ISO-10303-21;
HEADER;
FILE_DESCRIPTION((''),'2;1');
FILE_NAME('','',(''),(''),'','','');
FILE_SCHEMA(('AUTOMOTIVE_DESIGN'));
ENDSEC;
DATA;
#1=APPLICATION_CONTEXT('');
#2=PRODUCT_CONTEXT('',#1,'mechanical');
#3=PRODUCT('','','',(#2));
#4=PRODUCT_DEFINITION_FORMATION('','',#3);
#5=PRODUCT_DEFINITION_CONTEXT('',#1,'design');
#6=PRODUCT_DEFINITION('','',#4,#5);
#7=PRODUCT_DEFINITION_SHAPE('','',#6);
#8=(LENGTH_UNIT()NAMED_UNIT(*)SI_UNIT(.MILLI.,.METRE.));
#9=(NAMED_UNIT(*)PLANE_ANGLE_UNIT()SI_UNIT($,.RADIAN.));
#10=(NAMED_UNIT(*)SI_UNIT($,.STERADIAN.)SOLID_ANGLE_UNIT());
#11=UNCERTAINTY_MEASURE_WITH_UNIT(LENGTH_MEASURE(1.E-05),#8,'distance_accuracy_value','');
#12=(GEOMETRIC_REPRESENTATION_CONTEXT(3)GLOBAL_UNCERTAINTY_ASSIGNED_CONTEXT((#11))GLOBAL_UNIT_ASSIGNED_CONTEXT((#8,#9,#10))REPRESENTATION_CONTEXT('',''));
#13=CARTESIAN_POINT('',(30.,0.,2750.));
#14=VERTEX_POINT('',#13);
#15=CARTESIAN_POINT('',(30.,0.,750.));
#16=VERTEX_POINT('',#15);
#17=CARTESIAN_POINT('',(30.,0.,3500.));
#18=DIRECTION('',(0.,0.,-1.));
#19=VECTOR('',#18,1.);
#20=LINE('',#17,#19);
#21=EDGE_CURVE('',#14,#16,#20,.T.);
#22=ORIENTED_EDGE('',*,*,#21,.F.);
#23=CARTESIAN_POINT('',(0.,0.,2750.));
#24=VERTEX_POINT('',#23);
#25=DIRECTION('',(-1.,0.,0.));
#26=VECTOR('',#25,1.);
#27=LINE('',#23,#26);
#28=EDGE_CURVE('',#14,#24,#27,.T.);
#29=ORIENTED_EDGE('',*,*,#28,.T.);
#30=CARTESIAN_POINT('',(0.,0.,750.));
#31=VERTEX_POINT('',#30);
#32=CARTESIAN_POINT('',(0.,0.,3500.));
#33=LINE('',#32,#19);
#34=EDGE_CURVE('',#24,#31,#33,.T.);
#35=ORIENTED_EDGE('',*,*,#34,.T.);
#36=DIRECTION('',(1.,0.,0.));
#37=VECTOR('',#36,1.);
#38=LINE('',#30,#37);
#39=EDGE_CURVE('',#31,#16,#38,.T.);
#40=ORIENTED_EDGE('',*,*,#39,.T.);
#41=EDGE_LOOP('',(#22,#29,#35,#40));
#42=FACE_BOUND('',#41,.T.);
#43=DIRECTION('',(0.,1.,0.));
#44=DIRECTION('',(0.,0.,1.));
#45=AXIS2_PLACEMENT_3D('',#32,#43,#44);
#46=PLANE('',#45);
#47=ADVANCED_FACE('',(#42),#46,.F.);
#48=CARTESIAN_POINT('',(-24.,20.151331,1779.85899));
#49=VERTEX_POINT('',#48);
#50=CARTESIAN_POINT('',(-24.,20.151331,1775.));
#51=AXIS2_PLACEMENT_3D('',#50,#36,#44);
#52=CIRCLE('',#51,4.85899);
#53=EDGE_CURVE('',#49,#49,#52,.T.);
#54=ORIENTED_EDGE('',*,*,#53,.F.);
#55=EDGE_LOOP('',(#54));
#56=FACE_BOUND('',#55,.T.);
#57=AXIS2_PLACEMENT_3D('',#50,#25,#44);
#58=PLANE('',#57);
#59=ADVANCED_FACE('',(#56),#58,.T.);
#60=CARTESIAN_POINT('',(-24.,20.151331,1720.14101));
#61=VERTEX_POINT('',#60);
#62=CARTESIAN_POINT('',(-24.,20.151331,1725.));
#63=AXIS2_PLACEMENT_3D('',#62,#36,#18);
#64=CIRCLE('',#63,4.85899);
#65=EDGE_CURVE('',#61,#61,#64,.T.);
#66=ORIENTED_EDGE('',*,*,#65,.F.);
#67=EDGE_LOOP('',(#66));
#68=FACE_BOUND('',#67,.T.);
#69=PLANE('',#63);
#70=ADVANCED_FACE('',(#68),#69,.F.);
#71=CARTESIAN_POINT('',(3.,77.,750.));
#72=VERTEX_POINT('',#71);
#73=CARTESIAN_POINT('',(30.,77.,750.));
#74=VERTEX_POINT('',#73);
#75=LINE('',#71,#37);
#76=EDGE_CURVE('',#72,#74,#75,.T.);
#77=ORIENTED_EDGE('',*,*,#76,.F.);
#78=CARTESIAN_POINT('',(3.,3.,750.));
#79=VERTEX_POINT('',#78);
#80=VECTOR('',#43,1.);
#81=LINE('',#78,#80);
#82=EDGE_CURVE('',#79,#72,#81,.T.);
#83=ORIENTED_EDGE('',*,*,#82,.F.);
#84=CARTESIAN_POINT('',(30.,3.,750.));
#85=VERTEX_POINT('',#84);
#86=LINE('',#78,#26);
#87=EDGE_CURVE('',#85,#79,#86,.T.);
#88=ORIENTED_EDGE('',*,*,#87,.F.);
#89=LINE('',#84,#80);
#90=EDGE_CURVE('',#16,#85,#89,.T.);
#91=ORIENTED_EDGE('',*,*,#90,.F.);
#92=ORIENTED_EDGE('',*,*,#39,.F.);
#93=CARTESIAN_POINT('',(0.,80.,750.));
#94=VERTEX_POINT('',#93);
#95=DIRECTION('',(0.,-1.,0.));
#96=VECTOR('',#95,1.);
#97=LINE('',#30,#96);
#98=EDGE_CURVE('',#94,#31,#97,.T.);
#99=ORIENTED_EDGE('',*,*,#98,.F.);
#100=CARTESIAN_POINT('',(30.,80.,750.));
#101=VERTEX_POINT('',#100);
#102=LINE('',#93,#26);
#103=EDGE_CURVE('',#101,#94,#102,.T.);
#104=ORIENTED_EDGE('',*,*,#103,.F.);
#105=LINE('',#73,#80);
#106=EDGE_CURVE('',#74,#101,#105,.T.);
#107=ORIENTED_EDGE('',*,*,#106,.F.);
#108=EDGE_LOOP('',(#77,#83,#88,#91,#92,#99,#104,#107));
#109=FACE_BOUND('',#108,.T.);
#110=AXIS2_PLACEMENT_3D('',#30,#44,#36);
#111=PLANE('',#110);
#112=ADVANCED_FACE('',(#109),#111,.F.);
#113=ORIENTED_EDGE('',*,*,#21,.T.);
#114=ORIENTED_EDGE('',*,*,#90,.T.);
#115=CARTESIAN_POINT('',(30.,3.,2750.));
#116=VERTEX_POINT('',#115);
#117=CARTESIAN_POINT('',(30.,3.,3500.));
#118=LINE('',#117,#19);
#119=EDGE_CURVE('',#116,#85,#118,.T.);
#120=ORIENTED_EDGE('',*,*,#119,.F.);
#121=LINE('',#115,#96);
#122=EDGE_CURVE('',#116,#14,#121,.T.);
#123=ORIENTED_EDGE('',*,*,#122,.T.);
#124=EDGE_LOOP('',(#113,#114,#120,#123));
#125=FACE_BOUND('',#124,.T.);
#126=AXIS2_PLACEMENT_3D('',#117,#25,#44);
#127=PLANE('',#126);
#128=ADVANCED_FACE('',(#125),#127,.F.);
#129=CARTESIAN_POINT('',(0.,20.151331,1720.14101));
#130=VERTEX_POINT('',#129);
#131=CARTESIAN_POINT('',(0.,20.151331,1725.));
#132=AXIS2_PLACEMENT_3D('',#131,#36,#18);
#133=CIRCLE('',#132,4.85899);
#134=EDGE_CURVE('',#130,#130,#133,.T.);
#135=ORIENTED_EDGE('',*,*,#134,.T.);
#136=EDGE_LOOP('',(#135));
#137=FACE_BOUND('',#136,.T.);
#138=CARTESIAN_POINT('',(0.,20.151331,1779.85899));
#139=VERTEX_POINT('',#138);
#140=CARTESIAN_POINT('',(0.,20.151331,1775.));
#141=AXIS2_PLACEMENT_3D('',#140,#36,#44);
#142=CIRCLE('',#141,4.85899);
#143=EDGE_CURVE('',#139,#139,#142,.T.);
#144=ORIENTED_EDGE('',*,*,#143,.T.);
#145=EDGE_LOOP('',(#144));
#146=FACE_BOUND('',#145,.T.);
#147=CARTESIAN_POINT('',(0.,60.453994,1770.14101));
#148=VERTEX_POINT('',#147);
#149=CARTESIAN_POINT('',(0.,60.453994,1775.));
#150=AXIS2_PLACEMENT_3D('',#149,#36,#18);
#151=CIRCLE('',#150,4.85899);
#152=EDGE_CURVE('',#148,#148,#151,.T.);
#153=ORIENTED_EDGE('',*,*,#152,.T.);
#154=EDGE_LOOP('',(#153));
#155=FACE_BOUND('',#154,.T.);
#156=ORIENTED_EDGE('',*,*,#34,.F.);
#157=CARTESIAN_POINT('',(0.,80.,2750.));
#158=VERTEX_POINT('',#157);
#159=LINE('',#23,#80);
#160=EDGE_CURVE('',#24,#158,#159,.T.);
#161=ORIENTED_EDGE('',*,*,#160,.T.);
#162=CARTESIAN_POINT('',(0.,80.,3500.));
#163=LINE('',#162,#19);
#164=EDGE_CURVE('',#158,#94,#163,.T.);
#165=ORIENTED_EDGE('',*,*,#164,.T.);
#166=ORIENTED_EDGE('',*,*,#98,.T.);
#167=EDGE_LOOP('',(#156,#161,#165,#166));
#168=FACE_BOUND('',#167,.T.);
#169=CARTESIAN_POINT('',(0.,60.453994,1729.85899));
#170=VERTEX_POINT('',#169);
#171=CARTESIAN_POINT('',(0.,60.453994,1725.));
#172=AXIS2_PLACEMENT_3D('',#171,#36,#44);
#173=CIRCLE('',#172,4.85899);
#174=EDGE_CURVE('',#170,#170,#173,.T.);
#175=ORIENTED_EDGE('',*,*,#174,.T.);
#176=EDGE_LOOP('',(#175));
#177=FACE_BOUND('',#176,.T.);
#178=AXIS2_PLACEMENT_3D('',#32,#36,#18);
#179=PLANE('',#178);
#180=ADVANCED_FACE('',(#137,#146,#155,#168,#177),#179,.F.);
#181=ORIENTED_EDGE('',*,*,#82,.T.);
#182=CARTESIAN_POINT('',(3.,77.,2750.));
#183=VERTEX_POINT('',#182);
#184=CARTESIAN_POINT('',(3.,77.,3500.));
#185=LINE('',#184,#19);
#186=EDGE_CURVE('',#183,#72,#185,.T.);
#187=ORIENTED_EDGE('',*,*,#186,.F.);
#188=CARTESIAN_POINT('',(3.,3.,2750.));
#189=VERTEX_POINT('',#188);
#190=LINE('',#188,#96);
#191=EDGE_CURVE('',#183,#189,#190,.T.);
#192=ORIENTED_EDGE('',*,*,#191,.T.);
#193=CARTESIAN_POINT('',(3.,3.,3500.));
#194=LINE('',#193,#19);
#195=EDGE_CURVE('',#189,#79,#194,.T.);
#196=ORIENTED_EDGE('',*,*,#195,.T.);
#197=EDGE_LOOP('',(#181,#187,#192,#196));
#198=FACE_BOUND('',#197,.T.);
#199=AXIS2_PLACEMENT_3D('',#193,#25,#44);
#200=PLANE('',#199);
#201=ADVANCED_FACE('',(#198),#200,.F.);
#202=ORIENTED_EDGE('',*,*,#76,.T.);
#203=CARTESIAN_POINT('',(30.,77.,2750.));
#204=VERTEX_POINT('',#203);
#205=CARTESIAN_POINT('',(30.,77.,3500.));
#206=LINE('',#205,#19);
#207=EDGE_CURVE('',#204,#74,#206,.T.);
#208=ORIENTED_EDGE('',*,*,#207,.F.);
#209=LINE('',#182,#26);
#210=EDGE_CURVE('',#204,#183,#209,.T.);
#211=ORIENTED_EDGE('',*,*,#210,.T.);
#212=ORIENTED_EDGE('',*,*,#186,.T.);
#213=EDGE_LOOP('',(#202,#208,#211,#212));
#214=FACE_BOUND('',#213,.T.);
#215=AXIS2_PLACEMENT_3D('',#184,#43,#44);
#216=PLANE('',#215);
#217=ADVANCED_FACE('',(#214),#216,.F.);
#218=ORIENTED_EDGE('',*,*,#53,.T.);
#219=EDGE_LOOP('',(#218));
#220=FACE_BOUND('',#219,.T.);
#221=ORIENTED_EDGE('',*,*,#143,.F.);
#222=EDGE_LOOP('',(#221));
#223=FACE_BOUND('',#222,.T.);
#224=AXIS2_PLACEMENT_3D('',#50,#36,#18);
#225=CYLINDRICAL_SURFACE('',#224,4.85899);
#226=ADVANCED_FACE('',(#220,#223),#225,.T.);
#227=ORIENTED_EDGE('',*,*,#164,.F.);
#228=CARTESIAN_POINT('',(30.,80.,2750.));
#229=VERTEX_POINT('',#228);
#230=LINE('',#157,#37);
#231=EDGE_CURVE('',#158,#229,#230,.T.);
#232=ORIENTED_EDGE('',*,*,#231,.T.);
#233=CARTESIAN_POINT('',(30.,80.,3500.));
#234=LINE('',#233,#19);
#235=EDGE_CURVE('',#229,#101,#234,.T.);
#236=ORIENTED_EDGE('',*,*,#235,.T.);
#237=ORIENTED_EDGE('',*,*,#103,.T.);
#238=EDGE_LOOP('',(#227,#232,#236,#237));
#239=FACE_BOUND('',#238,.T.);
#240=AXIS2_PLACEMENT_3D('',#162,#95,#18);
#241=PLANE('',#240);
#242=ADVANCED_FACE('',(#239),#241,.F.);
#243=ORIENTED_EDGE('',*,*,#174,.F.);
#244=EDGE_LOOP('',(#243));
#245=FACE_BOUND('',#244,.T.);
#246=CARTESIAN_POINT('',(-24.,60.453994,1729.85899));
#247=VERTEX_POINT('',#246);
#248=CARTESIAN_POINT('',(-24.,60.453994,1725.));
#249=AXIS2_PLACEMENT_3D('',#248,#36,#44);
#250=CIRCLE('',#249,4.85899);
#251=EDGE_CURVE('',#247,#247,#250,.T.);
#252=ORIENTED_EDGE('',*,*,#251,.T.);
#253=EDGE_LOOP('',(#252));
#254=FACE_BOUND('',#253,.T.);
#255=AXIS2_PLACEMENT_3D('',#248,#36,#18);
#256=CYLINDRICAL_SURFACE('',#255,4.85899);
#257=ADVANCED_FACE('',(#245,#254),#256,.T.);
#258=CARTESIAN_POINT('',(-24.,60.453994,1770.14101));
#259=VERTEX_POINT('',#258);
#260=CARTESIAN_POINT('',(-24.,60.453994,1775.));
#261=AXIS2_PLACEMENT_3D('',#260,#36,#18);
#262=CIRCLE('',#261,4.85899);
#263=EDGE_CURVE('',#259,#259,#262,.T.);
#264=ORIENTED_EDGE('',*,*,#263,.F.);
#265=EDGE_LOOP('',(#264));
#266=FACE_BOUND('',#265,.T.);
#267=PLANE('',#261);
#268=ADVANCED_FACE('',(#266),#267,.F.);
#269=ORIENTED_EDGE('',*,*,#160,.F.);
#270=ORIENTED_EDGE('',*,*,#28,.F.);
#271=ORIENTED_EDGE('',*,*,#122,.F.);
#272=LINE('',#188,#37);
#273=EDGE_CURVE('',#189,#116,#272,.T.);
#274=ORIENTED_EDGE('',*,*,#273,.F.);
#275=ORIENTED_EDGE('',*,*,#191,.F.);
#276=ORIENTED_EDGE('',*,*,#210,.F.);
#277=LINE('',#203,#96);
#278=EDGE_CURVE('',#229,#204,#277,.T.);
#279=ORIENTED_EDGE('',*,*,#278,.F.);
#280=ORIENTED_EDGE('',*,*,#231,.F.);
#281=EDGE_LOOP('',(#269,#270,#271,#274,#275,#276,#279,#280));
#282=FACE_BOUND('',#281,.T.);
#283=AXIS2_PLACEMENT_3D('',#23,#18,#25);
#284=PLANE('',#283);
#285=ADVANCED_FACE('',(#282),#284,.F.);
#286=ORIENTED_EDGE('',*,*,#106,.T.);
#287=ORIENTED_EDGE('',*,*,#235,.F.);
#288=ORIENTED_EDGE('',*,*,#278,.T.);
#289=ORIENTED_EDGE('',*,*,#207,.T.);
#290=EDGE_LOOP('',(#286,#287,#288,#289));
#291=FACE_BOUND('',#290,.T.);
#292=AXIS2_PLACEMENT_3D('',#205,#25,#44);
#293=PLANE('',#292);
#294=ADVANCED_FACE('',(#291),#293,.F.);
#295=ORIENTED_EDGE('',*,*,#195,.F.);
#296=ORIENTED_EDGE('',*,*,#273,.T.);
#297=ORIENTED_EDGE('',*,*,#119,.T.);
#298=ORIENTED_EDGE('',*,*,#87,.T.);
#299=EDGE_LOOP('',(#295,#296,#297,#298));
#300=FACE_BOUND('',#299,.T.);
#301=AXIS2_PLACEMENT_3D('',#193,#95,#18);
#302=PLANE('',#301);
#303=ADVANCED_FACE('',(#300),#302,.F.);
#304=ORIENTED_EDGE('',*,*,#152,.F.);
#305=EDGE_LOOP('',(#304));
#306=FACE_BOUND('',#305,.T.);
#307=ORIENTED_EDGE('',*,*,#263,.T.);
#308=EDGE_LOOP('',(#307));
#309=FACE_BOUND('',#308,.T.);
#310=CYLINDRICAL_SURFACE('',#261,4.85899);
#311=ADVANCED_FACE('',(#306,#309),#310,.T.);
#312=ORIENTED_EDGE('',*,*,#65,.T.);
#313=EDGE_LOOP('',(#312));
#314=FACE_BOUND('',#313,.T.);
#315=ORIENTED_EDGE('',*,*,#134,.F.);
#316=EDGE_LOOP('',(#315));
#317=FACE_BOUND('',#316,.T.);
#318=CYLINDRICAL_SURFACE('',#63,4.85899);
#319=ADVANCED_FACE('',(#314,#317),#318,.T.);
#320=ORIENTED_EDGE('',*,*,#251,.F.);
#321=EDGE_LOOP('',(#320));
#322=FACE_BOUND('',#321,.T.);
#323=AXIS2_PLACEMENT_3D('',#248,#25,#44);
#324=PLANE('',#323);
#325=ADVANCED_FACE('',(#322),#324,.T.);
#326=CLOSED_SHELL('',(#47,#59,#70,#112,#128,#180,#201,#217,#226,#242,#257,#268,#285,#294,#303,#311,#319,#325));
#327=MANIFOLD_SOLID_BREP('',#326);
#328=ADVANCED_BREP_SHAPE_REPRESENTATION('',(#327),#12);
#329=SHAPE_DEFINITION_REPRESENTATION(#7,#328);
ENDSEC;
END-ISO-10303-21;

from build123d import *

# Parameters (mm, degrees)
SALIENTE_EXTRUIR1_DEPTH = 3500
CROQUIS2_R              = 4.85898955
SALIENTE_EXTRUIR2_DEPTH = 24
CROQUIS3_W              = 61.744916595
CROQUIS3_H              = 103.748261218
CORTAR_EXTRUIR1_DEPTH   = 750
CROQUIS4_W              = 41.753180027
CROQUIS4_H              = 90.106519095
CORTAR_EXTRUIR2_DEPTH   = 750


with BuildPart() as part:
    # Croquis1 → Saliente-Extruir1 (new body)
    with BuildSketch(Plane.XY):
        Polygon((0, 0), (0, 80), (30, 80), (30, 77), (3, 77), (3, 3), (30, 3), (30, 0), align=None)
    extrude(amount=SALIENTE_EXTRUIR1_DEPTH)

    # Croquis2 → Saliente-Extruir2 (add)
    with BuildSketch(Plane(origin=(0, 0, 0), x_dir=(0, 0, -1), z_dir=(1, 0, 0))):
        with Locations((-1725, 20.15133135)):
            Circle(CROQUIS2_R)
        with Locations((-1725, 60.453994049)):
            Circle(CROQUIS2_R)
        with Locations((-1775, 20.15133135)):
            Circle(CROQUIS2_R)
        with Locations((-1775, 60.453994049)):
            Circle(CROQUIS2_R)
    extrude(amount=-SALIENTE_EXTRUIR2_DEPTH)

    # Croquis3 → Cortar-Extruir1 (cut)
    with BuildSketch(Plane.XY):
        with Locations((6.570284293, 36.219698984)):
            Rectangle(CROQUIS3_W, CROQUIS3_H)
    extrude(amount=CORTAR_EXTRUIR1_DEPTH, mode=Mode.SUBTRACT)

    # Croquis4 → Cortar-Extruir2 (cut)
    with BuildSketch(Plane.XY.offset(3500)):
        with Locations((13.937202, 38.995627971)):
            Rectangle(CROQUIS4_W, CROQUIS4_H)
    extrude(amount=-CORTAR_EXTRUIR2_DEPTH, mode=Mode.SUBTRACT)


solid = part.part
